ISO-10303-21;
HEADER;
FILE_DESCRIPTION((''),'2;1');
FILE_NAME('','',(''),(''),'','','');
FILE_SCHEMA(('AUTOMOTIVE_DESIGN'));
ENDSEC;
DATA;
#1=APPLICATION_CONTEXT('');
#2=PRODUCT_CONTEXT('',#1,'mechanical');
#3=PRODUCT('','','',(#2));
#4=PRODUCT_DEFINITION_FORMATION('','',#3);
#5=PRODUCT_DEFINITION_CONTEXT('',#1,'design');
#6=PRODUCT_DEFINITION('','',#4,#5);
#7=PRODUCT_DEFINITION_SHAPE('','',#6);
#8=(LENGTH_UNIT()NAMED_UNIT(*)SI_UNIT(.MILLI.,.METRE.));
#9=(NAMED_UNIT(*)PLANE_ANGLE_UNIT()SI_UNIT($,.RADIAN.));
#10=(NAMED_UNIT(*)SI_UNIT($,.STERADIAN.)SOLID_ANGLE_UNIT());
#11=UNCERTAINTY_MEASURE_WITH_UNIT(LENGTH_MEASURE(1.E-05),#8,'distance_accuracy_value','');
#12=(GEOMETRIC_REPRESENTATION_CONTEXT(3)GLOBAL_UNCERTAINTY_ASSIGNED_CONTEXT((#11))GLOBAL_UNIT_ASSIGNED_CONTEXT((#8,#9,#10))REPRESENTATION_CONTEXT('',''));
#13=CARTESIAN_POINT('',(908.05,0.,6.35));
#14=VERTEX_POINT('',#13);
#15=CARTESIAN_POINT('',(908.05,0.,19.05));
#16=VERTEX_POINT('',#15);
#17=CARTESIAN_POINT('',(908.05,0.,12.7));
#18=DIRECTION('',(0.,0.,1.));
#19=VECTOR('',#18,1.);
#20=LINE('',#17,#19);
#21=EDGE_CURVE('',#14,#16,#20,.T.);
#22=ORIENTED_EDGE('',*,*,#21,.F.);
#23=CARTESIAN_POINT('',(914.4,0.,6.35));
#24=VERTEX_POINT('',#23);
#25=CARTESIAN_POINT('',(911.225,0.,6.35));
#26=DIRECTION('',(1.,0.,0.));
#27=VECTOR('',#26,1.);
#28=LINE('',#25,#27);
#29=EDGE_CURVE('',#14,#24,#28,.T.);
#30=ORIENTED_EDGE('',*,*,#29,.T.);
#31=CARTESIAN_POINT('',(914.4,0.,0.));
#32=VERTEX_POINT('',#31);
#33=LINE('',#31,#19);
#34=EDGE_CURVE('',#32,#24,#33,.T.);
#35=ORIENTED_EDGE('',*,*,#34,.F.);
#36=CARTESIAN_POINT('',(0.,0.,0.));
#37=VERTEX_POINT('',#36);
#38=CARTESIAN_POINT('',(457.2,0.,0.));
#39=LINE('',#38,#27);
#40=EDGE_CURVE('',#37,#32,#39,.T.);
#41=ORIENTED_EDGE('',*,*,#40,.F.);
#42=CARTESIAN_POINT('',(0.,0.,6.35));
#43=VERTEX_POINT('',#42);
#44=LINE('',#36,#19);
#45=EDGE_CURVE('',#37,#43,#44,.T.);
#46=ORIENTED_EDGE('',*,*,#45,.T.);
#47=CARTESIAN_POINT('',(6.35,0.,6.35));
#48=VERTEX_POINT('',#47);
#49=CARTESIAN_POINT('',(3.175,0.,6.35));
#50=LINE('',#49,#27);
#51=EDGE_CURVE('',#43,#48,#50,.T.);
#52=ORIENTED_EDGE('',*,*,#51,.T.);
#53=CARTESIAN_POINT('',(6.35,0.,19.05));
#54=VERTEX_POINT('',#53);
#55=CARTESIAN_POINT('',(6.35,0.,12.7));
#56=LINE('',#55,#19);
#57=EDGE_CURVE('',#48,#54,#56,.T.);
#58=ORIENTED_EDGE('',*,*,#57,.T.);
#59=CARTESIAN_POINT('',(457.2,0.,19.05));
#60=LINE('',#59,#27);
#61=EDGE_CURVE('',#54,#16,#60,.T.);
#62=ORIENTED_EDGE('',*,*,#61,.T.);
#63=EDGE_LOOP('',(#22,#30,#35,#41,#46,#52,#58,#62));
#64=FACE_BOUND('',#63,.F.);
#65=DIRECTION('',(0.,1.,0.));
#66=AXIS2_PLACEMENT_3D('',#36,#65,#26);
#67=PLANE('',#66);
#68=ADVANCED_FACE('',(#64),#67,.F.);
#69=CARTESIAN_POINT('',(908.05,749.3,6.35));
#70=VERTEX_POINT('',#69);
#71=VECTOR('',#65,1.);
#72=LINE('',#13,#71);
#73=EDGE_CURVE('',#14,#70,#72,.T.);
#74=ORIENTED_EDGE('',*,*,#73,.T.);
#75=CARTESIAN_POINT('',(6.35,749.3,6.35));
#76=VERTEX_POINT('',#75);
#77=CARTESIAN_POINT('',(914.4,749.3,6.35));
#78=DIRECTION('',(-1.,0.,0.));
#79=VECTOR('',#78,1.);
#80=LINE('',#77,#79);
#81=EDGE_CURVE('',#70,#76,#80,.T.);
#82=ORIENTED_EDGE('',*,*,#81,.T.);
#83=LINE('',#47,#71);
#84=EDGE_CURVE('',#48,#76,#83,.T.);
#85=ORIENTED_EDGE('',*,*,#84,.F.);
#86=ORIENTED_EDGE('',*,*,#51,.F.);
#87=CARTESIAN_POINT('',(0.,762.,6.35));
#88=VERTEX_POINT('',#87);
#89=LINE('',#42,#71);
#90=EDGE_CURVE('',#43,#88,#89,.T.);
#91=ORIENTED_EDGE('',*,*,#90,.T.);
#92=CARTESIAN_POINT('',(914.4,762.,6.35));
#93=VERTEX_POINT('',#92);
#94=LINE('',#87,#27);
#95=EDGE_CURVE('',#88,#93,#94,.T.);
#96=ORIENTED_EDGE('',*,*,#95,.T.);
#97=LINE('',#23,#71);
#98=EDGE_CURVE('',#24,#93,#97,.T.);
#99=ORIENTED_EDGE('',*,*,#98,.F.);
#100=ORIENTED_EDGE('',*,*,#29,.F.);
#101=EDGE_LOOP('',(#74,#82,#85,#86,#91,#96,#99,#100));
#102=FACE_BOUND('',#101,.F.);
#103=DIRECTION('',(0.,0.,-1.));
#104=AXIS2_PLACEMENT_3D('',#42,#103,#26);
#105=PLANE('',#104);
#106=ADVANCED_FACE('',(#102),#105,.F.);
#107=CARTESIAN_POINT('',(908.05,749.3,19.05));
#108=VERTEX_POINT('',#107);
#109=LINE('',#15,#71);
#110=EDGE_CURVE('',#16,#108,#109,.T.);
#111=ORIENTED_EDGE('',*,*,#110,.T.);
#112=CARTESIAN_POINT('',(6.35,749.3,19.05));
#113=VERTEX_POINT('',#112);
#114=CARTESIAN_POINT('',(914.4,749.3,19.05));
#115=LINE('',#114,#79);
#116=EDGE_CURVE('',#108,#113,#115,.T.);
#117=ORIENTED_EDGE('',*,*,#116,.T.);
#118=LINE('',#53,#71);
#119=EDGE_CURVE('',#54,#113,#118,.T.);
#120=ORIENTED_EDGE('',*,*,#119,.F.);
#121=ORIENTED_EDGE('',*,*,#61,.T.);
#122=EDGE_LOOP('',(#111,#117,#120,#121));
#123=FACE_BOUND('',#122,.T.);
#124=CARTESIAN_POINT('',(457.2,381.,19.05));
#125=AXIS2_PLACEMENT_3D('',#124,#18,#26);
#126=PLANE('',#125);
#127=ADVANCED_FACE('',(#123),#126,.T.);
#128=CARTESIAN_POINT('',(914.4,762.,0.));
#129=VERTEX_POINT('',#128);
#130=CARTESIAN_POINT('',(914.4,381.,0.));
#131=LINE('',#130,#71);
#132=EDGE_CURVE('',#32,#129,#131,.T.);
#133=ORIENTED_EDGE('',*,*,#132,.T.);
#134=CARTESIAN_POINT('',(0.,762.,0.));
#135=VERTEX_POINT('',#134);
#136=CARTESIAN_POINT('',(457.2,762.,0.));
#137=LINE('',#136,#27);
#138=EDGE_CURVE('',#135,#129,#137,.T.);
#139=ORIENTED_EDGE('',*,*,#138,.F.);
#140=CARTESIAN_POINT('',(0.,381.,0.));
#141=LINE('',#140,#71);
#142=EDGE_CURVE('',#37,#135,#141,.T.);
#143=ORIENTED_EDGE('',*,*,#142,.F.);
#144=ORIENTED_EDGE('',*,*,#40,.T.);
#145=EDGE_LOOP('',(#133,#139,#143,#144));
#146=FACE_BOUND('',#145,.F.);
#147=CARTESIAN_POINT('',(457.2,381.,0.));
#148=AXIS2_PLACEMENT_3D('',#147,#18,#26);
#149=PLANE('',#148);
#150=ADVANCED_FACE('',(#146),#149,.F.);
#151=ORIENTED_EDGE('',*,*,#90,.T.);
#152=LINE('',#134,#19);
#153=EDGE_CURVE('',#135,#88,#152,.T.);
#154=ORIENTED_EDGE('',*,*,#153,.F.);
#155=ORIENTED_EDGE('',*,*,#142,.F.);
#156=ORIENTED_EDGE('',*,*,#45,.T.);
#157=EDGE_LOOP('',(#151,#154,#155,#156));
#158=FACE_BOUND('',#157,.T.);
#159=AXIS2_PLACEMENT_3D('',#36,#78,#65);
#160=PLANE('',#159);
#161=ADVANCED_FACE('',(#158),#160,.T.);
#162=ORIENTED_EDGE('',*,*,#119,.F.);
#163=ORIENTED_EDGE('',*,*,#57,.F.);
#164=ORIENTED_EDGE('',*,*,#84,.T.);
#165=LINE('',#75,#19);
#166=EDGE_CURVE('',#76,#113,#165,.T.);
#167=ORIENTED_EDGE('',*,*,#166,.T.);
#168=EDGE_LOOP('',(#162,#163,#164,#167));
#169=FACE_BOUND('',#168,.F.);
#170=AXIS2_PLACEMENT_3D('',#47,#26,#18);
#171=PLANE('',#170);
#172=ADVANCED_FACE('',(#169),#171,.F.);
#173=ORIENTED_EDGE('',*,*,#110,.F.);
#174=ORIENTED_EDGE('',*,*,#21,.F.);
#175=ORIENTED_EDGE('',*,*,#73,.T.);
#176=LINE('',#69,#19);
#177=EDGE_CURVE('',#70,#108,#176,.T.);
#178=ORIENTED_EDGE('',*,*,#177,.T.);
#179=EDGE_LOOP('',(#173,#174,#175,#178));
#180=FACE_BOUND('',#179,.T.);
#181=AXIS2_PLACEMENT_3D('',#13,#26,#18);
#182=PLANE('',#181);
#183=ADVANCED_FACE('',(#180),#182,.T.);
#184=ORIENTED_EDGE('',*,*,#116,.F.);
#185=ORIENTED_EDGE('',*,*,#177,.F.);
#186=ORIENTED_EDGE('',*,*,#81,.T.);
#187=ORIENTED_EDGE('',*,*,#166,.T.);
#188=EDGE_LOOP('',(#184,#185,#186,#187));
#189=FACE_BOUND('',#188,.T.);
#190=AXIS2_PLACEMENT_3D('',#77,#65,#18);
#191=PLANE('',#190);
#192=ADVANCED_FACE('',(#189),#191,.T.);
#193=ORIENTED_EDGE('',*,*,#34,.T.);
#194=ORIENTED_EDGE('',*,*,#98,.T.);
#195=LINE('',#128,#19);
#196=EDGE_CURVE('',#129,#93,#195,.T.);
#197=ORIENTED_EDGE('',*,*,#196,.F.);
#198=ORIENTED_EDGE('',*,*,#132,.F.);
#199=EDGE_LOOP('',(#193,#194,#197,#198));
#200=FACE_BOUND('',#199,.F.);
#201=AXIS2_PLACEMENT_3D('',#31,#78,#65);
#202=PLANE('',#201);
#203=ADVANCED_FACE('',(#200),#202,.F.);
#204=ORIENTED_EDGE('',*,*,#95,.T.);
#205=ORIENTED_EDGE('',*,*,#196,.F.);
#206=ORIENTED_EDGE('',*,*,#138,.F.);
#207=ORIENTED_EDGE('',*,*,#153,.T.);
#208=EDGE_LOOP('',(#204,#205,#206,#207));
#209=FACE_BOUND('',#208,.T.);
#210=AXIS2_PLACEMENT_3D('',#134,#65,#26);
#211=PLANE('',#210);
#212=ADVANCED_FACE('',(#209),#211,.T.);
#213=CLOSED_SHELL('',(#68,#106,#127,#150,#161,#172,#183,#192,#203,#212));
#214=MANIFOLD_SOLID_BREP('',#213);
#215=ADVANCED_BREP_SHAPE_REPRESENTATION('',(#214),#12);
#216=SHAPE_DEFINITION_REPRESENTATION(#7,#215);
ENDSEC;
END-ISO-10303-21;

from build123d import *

# Parameters (mm, degrees)
F0_W     = 914.4
F0_H     = 762
F1_DEPTH = 19.05
F2_W     = 6.35
F2_H     = 12.7
F3_DEPTH = 762.001
F4_W     = 12.7
F4_H     = 12.7
F5_DEPTH = 914.401


with BuildPart() as f1:
    # F0 (on Top) → F1 (new body)
    with BuildSketch(Plane.XY):
        with Locations((457.2, 381)):
            Rectangle(F0_W, F0_H)
    extrude(amount=F1_DEPTH)

    # F2 (on face) → F3 (cut, through all)
    with BuildSketch(Plane.XZ):
        with Locations((3.175, 12.7)):
            Rectangle(F2_W, F2_H)
        with Locations((911.225, 12.7)):
            Rectangle(F2_W, F2_H)
    extrude(amount=-F3_DEPTH, mode=Mode.SUBTRACT)

    # F4 (on face) → F5 (cut, through all)
    with BuildSketch(Plane.YZ.offset(914.4)):
        with Locations((755.65, 12.7)):
            Rectangle(F4_W, F4_H)
    extrude(amount=-F5_DEPTH, mode=Mode.SUBTRACT)


solid = f1.part
